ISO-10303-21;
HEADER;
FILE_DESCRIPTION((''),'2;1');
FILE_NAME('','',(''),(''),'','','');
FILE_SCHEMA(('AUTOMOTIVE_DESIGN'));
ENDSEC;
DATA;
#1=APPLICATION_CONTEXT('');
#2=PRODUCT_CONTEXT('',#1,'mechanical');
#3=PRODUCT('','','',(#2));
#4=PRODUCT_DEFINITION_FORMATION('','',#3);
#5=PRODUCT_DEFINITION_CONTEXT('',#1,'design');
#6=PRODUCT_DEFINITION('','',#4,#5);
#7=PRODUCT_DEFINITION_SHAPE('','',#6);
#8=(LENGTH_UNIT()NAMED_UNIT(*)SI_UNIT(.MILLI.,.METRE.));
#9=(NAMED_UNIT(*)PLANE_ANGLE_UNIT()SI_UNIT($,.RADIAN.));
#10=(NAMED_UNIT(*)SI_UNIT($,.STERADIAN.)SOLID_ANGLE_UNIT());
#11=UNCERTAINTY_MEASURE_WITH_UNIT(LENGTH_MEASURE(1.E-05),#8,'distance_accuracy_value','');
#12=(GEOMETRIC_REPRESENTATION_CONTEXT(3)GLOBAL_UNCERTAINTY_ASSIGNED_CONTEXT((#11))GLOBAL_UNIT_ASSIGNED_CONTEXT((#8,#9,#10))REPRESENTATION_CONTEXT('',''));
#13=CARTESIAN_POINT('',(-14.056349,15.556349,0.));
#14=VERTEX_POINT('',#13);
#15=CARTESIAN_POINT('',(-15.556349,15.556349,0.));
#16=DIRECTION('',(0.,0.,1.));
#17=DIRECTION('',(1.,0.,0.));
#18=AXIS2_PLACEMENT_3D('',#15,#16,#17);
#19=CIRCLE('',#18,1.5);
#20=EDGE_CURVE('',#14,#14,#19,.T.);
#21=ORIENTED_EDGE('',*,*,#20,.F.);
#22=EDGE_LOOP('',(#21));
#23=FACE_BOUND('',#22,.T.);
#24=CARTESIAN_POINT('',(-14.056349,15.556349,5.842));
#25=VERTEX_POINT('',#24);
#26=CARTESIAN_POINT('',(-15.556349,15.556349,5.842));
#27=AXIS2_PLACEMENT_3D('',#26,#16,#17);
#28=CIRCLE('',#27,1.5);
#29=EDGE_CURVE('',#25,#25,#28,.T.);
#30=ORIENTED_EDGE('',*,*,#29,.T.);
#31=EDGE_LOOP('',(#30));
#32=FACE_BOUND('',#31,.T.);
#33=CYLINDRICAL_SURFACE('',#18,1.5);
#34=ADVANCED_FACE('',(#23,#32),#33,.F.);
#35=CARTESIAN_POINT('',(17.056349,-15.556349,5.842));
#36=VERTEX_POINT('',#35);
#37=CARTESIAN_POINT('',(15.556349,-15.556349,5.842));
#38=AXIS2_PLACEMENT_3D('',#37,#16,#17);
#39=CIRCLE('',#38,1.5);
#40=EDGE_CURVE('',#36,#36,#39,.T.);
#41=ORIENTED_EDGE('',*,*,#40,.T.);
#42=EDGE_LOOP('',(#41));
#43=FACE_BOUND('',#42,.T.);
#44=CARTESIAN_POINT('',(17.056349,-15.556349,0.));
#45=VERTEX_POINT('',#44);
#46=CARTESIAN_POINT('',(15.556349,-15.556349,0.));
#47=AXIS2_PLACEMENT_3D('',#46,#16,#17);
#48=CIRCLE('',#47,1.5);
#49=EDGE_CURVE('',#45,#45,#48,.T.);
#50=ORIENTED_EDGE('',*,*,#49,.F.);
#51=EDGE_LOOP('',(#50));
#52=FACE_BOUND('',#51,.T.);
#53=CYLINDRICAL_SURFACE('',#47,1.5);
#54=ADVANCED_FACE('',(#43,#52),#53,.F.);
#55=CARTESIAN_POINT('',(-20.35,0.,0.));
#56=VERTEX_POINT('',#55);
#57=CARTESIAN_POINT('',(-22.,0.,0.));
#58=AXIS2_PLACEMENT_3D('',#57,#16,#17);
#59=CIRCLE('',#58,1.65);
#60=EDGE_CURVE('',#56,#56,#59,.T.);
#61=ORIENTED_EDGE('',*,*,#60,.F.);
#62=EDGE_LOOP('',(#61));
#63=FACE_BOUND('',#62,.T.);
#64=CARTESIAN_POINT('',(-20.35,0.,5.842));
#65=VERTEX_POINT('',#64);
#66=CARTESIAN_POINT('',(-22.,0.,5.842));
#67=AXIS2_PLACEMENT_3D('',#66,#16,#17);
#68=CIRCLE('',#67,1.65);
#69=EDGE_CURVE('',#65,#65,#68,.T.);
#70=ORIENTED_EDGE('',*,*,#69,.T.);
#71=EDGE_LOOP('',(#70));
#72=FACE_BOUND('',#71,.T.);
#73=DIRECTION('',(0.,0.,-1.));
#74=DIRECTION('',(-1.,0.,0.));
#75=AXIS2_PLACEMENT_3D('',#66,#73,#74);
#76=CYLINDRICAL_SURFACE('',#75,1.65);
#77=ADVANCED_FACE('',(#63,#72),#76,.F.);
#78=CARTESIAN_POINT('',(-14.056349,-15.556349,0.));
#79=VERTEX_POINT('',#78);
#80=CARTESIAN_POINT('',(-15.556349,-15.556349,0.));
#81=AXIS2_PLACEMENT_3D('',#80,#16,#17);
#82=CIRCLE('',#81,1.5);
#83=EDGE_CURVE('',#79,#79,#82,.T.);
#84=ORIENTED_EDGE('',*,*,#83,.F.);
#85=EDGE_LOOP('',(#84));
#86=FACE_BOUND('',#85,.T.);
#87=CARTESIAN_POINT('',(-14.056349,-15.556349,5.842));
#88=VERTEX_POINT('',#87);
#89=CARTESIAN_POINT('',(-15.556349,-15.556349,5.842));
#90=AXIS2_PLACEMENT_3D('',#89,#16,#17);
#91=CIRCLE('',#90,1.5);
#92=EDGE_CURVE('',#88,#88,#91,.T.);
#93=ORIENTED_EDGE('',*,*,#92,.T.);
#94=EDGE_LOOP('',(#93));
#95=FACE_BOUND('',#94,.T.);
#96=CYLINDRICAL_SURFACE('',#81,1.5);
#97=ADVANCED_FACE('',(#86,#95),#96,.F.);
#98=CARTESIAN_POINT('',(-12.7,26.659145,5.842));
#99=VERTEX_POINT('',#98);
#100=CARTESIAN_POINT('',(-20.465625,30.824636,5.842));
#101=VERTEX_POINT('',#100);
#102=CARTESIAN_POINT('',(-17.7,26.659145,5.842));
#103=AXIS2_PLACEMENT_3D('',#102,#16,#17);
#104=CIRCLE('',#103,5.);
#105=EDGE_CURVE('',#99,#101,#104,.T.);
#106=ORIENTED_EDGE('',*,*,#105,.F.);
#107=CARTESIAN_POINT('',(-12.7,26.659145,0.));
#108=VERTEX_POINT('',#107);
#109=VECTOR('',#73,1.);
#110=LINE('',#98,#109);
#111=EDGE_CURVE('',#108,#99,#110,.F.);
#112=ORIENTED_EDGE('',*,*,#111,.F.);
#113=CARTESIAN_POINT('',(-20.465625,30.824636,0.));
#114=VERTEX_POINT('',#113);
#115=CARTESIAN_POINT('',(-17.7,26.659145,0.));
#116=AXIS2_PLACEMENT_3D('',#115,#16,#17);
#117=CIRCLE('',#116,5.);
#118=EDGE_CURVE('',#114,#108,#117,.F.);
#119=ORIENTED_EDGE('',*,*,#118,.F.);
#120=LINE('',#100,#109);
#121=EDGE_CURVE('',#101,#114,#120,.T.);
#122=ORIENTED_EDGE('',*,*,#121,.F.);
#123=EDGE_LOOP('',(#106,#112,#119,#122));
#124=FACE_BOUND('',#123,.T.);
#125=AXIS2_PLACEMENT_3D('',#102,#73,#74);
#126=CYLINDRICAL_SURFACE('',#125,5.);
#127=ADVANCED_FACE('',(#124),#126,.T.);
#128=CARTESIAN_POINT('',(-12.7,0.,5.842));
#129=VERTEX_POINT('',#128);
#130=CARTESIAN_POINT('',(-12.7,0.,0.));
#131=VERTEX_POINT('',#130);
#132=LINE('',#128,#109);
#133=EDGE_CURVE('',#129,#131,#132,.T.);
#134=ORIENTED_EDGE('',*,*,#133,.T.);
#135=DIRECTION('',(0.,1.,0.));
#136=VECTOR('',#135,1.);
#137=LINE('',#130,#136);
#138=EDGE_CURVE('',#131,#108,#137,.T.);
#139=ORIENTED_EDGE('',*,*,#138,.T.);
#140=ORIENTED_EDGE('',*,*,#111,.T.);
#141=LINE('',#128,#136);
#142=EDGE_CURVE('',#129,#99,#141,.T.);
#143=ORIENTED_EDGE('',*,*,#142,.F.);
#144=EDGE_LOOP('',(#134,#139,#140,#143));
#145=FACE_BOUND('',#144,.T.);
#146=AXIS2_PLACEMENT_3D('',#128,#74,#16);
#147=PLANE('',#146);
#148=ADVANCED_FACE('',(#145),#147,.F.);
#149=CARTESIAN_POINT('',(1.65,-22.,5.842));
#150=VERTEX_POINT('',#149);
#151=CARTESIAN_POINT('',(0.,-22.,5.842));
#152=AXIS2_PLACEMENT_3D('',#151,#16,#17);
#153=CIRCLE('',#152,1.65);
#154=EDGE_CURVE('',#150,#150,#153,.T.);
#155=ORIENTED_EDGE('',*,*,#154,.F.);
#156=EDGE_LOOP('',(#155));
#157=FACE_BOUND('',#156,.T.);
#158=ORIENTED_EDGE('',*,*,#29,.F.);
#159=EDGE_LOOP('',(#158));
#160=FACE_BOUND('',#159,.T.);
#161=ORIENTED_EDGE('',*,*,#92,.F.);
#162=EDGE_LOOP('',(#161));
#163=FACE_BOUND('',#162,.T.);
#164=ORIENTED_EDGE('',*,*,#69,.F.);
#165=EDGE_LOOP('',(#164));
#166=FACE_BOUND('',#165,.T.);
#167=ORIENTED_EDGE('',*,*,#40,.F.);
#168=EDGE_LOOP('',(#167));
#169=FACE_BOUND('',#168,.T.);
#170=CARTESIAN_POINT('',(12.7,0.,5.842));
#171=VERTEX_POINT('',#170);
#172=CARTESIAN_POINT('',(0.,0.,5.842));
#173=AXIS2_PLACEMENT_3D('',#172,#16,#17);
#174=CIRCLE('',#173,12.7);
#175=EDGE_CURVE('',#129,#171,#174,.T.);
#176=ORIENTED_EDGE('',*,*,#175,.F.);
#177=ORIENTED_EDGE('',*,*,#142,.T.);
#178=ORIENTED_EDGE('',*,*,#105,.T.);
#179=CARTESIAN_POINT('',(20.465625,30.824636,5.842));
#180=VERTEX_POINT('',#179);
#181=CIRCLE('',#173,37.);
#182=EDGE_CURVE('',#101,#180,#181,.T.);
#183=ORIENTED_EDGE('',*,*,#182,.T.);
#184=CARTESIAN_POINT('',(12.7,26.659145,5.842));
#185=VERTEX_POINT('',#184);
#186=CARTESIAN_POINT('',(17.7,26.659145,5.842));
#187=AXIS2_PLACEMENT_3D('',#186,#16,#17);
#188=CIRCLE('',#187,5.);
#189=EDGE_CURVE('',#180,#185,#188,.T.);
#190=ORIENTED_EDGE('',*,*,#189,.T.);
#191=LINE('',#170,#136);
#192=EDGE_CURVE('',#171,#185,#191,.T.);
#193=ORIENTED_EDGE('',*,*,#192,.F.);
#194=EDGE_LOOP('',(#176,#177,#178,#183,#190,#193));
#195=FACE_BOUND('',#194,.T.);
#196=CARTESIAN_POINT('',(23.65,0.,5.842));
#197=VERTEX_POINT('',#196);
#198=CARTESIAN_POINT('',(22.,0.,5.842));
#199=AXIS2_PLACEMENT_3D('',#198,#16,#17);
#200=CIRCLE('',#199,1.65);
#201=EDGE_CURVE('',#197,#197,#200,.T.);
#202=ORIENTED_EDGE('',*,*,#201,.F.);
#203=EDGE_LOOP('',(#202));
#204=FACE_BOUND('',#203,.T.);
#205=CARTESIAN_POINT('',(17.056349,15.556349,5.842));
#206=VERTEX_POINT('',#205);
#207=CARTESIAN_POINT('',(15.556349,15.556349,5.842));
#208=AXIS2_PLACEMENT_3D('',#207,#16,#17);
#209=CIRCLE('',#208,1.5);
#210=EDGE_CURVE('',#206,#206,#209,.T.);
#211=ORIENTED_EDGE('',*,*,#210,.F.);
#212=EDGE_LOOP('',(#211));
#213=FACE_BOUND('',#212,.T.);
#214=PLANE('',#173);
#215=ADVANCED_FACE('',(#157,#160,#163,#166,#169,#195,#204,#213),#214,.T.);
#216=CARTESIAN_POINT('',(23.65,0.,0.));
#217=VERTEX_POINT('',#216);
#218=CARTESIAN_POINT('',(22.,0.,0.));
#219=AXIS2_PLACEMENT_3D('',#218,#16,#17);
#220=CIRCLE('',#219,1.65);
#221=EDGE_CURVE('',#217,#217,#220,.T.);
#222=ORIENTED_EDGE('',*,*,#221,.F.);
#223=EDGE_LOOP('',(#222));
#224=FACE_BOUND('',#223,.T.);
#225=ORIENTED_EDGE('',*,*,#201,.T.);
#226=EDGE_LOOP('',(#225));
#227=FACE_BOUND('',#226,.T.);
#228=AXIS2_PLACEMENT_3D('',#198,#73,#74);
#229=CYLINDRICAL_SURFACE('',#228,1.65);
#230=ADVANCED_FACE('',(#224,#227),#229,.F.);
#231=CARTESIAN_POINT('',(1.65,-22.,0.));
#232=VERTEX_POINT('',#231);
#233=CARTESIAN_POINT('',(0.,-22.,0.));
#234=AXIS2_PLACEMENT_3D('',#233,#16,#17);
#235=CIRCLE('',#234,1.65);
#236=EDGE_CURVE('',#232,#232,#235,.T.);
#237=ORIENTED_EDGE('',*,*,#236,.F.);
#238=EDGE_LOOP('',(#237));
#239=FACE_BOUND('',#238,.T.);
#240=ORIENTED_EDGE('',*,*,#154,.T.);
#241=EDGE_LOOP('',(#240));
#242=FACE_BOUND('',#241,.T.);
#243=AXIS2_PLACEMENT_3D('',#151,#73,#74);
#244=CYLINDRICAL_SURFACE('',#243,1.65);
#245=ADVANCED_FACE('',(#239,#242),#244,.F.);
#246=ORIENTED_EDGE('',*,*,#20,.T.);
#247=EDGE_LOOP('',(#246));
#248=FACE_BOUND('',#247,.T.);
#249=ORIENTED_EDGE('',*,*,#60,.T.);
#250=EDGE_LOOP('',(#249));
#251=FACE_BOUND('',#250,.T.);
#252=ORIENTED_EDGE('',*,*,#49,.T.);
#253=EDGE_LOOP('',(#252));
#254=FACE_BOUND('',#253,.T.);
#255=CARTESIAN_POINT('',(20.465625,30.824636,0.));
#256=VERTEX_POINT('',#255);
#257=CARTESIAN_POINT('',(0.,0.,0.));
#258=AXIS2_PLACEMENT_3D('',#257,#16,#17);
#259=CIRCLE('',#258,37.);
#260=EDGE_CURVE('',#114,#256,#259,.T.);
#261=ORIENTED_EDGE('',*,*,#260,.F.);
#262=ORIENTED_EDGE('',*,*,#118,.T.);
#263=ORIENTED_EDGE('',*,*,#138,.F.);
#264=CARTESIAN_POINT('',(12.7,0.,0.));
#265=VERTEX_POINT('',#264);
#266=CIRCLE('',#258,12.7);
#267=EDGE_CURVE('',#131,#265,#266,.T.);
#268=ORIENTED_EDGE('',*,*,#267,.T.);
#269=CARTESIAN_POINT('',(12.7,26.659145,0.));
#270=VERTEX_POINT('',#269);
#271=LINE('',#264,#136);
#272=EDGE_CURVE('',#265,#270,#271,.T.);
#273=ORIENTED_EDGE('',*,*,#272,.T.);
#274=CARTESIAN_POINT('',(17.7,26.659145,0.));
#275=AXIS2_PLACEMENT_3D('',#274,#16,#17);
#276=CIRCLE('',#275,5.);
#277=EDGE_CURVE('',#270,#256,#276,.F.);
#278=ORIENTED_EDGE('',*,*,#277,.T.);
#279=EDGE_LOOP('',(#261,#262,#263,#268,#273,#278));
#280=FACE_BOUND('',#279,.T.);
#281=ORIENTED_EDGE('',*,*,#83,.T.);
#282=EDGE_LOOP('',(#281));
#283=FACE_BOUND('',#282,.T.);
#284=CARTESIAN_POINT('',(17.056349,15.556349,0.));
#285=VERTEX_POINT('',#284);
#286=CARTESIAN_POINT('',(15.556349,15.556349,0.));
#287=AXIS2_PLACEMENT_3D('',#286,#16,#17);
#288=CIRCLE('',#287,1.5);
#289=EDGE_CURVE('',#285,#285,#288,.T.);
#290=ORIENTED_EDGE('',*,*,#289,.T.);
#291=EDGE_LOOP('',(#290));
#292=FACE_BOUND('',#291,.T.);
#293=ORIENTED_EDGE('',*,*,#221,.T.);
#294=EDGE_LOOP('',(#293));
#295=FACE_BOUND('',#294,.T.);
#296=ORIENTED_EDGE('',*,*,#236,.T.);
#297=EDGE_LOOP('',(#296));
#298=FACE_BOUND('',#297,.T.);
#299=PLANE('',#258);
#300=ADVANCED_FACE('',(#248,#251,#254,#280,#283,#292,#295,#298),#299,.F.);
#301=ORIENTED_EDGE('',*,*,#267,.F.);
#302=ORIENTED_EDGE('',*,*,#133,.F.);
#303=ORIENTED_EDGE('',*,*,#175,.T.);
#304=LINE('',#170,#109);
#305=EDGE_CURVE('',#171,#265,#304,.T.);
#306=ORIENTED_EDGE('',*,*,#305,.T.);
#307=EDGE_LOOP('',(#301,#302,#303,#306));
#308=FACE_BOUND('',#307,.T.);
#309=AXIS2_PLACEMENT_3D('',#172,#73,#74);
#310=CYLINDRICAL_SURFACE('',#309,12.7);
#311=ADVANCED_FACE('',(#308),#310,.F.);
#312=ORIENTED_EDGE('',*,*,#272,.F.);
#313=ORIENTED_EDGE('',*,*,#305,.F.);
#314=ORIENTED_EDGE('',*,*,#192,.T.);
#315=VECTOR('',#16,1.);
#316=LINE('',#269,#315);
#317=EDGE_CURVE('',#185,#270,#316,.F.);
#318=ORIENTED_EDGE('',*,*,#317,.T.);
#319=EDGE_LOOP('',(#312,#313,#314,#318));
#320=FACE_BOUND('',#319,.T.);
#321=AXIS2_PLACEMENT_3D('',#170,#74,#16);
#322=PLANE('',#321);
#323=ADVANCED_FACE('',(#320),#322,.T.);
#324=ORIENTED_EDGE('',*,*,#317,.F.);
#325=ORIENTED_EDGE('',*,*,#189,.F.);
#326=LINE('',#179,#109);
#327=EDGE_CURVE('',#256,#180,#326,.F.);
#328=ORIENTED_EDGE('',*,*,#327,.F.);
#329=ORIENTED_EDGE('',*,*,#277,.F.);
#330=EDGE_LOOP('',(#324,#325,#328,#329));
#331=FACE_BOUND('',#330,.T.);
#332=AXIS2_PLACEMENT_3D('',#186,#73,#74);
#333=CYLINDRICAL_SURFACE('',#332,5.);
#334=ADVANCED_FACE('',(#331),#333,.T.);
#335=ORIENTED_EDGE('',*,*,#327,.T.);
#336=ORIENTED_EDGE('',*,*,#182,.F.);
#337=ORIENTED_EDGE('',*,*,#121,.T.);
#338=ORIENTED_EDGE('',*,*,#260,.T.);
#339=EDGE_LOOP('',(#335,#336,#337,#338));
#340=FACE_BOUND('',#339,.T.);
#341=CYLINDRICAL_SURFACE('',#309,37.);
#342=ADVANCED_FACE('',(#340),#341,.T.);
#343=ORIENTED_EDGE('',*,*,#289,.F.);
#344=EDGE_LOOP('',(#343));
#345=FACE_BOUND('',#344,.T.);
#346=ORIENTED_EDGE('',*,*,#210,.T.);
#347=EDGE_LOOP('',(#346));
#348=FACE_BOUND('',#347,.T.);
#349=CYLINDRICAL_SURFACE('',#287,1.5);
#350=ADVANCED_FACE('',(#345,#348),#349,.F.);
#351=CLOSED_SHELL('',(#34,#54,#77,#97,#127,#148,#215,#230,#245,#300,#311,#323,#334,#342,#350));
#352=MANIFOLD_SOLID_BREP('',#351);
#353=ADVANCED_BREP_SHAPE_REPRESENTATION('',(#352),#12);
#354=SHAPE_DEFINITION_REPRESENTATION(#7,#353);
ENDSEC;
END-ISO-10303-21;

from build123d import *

# Parameters (mm, degrees)
SKETCH1_R           = 1.65
BOSS_EXTRUDE1_DEPTH = 5.842
FILLET1_R           = 5
SKETCH2_R           = 1.5
CUT_EXTRUDE1_DEPTH  = 53.651011044


with BuildPart() as part:
    # Sketch1 → Boss-Extrude1 (new body)
    with BuildSketch(Plane.XY):
        with BuildLine():
            Line((-12.7, 0), (-12.7, 34.752122237))
            ThreePointArc((-12.7, 34.752122237), (0, -37), (12.7, 34.752122237))
            Line((12.7, 34.752122237), (12.7, 0))
            ThreePointArc((12.7, 0), (0, -12.7), (-12.7, 0))
        make_face()
        with Locations((22, 0)):
            Circle(SKETCH1_R, mode=Mode.SUBTRACT)
        with Locations((0, -22)):
            Circle(SKETCH1_R, mode=Mode.SUBTRACT)
        with Locations((-22, 0)):
            Circle(SKETCH1_R, mode=Mode.SUBTRACT)
    extrude(amount=BOSS_EXTRUDE1_DEPTH)

    # Fillet1
    fillet1_edges = [part.edges().sort_by_distance(p)[0] for p in [
        (12.7, 34.752122237, 2.921),
        (-12.7, 34.752122237, 2.921),
    ]]
    fillet(fillet1_edges, radius=FILLET1_R)

    # Sketch2 → Cut-Extrude1 (cut, through all)
    with BuildSketch(Plane.XY.offset(5.842)):
        with Locations((-15.556349186, -15.556349186)):
            Circle(SKETCH2_R)
        with Locations((-15.556349186, 15.556349186)):
            Circle(SKETCH2_R)
        with Locations((15.556349186, 15.556349186)):
            Circle(SKETCH2_R)
        with Locations((15.556349186, -15.556349186)):
            Circle(SKETCH2_R)
    extrude(amount=-CUT_EXTRUDE1_DEPTH, mode=Mode.SUBTRACT)


solid = part.part
